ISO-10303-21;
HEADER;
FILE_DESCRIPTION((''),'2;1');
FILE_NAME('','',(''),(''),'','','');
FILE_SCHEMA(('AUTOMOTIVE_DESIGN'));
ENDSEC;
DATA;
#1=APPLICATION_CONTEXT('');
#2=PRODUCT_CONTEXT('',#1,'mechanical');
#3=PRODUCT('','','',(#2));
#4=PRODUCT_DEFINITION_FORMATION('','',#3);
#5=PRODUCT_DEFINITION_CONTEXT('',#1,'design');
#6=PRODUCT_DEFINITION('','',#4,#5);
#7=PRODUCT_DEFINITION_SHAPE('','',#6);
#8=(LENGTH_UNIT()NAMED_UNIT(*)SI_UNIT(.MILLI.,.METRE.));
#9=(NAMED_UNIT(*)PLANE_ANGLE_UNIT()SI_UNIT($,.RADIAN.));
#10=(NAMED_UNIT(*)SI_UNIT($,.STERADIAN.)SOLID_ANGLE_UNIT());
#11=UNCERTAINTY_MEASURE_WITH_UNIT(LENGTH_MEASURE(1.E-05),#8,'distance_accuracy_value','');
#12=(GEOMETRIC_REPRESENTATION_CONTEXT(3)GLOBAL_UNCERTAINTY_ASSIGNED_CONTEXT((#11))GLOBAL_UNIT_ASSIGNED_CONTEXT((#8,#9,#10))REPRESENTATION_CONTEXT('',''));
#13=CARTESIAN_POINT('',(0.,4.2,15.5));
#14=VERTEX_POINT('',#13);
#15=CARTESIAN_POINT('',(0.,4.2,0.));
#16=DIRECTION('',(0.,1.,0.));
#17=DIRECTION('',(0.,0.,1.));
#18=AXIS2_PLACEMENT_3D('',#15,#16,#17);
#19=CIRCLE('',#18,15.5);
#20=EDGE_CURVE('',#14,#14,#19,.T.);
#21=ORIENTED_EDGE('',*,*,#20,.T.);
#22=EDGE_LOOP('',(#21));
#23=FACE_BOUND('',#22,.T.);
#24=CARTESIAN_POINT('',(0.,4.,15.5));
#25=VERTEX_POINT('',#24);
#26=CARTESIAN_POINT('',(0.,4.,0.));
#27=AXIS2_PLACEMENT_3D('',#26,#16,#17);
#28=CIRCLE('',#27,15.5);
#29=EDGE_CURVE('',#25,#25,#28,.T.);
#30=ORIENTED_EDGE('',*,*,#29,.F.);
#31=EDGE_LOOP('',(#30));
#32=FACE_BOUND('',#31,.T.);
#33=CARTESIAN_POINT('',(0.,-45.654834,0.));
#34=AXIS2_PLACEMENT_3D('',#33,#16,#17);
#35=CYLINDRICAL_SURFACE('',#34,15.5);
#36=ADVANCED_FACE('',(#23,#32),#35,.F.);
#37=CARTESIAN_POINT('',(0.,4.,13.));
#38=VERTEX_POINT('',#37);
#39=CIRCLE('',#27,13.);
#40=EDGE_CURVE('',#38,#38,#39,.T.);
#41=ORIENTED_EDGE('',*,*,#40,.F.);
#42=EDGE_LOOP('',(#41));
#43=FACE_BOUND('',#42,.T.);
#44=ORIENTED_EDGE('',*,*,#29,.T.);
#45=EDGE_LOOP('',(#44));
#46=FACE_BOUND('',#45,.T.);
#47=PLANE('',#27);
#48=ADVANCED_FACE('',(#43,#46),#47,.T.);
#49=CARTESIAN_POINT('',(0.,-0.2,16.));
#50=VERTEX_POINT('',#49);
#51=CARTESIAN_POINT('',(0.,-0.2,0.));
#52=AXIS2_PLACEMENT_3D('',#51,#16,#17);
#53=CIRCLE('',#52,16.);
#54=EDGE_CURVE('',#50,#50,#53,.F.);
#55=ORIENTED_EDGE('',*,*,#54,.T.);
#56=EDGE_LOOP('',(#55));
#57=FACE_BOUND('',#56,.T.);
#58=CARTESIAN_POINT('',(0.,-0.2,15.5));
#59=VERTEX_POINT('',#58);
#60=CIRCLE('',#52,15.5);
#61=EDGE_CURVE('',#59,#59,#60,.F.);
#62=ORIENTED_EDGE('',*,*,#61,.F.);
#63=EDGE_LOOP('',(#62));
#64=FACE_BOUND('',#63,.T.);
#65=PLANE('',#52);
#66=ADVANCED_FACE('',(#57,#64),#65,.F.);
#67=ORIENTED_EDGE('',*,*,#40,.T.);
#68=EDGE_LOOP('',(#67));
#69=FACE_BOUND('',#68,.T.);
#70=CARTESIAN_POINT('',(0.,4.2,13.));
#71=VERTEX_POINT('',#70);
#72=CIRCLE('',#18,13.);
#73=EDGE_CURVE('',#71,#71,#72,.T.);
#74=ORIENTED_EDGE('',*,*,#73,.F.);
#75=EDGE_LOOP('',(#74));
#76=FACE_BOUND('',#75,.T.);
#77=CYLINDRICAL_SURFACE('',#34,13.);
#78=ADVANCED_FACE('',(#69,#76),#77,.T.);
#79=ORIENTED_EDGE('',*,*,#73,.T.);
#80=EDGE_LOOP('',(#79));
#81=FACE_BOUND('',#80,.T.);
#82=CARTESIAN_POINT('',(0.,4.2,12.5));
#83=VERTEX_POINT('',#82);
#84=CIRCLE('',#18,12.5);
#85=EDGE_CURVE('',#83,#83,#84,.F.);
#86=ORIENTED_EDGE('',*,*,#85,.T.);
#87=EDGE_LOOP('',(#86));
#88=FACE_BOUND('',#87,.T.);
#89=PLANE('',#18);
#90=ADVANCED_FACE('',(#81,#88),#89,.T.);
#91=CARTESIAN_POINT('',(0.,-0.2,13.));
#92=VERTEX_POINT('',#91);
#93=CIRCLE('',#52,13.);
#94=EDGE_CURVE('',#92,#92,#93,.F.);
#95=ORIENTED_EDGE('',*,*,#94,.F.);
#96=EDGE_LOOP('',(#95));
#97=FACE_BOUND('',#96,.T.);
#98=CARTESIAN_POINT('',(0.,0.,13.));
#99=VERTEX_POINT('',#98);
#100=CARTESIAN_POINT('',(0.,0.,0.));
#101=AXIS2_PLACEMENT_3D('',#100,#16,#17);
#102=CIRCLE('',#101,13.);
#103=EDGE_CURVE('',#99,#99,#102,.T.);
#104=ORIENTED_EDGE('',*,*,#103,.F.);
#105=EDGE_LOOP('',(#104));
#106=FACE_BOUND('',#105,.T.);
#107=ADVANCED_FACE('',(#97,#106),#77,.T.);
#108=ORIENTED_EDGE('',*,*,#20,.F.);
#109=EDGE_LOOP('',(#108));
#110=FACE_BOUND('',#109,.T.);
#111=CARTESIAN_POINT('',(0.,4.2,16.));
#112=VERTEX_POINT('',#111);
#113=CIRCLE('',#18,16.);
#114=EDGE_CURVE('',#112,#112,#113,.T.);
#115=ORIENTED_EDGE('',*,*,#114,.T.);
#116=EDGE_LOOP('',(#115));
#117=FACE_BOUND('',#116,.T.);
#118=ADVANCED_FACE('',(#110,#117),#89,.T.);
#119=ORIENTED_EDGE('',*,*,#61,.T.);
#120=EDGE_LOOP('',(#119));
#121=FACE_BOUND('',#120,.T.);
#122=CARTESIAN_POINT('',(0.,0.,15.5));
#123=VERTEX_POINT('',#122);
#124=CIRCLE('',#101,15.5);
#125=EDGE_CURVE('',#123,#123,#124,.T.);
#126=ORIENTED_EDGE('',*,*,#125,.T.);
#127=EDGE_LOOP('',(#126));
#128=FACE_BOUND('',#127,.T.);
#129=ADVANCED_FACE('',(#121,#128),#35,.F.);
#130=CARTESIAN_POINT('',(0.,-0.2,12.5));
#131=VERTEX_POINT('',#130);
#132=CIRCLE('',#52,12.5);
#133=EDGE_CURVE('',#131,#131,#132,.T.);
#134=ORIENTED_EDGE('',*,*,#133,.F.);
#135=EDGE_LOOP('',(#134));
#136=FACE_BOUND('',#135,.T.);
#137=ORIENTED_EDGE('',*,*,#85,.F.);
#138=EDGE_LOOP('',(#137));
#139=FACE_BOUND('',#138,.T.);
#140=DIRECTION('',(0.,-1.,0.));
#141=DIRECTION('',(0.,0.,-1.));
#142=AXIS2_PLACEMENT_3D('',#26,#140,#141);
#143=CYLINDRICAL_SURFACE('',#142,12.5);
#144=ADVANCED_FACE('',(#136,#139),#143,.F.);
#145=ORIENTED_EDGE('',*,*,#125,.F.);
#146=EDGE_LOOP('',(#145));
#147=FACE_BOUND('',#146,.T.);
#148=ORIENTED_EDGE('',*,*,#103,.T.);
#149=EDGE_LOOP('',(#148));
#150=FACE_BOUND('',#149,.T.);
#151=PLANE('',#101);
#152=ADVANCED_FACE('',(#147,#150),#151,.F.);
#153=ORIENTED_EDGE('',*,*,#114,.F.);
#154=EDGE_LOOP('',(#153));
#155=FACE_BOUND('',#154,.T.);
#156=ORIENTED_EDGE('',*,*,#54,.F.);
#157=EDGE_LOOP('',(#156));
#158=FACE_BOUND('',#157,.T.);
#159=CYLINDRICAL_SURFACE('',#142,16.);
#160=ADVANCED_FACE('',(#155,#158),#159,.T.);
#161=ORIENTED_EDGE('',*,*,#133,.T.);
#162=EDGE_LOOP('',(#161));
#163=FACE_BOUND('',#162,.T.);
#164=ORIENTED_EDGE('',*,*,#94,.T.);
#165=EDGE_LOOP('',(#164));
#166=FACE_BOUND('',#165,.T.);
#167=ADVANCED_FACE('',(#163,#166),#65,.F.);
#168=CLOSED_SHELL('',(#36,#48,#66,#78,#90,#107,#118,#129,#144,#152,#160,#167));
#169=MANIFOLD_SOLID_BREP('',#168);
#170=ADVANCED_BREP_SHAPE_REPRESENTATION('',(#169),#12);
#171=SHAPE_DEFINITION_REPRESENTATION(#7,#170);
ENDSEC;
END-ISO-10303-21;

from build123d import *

# Parameters (mm, degrees)
SKETCH1_R                = 16
SKETCH1_R_2              = 12.5
BOSS_EXTRUDE1_DEPTH      = 4
BOSS_EXTRUDE2_DEPTH      = 0.2
BOSS_EXTRUDE2_DEPTH_BACK = 4.2
SKETCH2_R                = 16
SKETCH2_R_2              = 15.5
SKETCH2_R_3              = 13
SKETCH2_R_4              = 12.5


with BuildPart() as part:
    # Sketch1 → Boss-Extrude1 (new body)
    with BuildSketch(Plane(origin=(0, 0, 0), x_dir=(1, 0, 0), z_dir=(0, 1, 0))):
        with Locations(Location((0, 0, 0), (0, 0, 270))):
            Circle(SKETCH1_R)
        with Locations(Location((0, 0, 0), (0, 0, 270))):
            Circle(SKETCH1_R_2, mode=Mode.SUBTRACT)
    extrude(amount=BOSS_EXTRUDE1_DEPTH)

    # Sketch2 → Boss-Extrude2 (add, two sides: drawn at the far end of the back side and taken through both)
    # profile 1 of 2: a face of its own
    with BuildSketch(Plane(origin=(0, 4, 0), x_dir=(1, 0, 0), z_dir=(0, 1, 0)).offset(-BOSS_EXTRUDE2_DEPTH_BACK)):
        with Locations(Location((0, 0, 0), (0, 0, 270))):
            Circle(SKETCH2_R)
        with Locations(Location((0, 0, 0), (0, 0, 270))):
            Circle(SKETCH2_R_2, mode=Mode.SUBTRACT)
    # profile 2 of 2: a face of its own
    with BuildSketch(Plane(origin=(0, 4, 0), x_dir=(1, 0, 0), z_dir=(0, 1, 0)).offset(-BOSS_EXTRUDE2_DEPTH_BACK)):
        with Locations(Location((0, 0, 0), (0, 0, 270))):
            Circle(SKETCH2_R_3)
        with Locations(Location((0, 0, 0), (0, 0, 270))):
            Circle(SKETCH2_R_4, mode=Mode.SUBTRACT)
    extrude(amount=BOSS_EXTRUDE2_DEPTH + BOSS_EXTRUDE2_DEPTH_BACK)


solid = part.part
